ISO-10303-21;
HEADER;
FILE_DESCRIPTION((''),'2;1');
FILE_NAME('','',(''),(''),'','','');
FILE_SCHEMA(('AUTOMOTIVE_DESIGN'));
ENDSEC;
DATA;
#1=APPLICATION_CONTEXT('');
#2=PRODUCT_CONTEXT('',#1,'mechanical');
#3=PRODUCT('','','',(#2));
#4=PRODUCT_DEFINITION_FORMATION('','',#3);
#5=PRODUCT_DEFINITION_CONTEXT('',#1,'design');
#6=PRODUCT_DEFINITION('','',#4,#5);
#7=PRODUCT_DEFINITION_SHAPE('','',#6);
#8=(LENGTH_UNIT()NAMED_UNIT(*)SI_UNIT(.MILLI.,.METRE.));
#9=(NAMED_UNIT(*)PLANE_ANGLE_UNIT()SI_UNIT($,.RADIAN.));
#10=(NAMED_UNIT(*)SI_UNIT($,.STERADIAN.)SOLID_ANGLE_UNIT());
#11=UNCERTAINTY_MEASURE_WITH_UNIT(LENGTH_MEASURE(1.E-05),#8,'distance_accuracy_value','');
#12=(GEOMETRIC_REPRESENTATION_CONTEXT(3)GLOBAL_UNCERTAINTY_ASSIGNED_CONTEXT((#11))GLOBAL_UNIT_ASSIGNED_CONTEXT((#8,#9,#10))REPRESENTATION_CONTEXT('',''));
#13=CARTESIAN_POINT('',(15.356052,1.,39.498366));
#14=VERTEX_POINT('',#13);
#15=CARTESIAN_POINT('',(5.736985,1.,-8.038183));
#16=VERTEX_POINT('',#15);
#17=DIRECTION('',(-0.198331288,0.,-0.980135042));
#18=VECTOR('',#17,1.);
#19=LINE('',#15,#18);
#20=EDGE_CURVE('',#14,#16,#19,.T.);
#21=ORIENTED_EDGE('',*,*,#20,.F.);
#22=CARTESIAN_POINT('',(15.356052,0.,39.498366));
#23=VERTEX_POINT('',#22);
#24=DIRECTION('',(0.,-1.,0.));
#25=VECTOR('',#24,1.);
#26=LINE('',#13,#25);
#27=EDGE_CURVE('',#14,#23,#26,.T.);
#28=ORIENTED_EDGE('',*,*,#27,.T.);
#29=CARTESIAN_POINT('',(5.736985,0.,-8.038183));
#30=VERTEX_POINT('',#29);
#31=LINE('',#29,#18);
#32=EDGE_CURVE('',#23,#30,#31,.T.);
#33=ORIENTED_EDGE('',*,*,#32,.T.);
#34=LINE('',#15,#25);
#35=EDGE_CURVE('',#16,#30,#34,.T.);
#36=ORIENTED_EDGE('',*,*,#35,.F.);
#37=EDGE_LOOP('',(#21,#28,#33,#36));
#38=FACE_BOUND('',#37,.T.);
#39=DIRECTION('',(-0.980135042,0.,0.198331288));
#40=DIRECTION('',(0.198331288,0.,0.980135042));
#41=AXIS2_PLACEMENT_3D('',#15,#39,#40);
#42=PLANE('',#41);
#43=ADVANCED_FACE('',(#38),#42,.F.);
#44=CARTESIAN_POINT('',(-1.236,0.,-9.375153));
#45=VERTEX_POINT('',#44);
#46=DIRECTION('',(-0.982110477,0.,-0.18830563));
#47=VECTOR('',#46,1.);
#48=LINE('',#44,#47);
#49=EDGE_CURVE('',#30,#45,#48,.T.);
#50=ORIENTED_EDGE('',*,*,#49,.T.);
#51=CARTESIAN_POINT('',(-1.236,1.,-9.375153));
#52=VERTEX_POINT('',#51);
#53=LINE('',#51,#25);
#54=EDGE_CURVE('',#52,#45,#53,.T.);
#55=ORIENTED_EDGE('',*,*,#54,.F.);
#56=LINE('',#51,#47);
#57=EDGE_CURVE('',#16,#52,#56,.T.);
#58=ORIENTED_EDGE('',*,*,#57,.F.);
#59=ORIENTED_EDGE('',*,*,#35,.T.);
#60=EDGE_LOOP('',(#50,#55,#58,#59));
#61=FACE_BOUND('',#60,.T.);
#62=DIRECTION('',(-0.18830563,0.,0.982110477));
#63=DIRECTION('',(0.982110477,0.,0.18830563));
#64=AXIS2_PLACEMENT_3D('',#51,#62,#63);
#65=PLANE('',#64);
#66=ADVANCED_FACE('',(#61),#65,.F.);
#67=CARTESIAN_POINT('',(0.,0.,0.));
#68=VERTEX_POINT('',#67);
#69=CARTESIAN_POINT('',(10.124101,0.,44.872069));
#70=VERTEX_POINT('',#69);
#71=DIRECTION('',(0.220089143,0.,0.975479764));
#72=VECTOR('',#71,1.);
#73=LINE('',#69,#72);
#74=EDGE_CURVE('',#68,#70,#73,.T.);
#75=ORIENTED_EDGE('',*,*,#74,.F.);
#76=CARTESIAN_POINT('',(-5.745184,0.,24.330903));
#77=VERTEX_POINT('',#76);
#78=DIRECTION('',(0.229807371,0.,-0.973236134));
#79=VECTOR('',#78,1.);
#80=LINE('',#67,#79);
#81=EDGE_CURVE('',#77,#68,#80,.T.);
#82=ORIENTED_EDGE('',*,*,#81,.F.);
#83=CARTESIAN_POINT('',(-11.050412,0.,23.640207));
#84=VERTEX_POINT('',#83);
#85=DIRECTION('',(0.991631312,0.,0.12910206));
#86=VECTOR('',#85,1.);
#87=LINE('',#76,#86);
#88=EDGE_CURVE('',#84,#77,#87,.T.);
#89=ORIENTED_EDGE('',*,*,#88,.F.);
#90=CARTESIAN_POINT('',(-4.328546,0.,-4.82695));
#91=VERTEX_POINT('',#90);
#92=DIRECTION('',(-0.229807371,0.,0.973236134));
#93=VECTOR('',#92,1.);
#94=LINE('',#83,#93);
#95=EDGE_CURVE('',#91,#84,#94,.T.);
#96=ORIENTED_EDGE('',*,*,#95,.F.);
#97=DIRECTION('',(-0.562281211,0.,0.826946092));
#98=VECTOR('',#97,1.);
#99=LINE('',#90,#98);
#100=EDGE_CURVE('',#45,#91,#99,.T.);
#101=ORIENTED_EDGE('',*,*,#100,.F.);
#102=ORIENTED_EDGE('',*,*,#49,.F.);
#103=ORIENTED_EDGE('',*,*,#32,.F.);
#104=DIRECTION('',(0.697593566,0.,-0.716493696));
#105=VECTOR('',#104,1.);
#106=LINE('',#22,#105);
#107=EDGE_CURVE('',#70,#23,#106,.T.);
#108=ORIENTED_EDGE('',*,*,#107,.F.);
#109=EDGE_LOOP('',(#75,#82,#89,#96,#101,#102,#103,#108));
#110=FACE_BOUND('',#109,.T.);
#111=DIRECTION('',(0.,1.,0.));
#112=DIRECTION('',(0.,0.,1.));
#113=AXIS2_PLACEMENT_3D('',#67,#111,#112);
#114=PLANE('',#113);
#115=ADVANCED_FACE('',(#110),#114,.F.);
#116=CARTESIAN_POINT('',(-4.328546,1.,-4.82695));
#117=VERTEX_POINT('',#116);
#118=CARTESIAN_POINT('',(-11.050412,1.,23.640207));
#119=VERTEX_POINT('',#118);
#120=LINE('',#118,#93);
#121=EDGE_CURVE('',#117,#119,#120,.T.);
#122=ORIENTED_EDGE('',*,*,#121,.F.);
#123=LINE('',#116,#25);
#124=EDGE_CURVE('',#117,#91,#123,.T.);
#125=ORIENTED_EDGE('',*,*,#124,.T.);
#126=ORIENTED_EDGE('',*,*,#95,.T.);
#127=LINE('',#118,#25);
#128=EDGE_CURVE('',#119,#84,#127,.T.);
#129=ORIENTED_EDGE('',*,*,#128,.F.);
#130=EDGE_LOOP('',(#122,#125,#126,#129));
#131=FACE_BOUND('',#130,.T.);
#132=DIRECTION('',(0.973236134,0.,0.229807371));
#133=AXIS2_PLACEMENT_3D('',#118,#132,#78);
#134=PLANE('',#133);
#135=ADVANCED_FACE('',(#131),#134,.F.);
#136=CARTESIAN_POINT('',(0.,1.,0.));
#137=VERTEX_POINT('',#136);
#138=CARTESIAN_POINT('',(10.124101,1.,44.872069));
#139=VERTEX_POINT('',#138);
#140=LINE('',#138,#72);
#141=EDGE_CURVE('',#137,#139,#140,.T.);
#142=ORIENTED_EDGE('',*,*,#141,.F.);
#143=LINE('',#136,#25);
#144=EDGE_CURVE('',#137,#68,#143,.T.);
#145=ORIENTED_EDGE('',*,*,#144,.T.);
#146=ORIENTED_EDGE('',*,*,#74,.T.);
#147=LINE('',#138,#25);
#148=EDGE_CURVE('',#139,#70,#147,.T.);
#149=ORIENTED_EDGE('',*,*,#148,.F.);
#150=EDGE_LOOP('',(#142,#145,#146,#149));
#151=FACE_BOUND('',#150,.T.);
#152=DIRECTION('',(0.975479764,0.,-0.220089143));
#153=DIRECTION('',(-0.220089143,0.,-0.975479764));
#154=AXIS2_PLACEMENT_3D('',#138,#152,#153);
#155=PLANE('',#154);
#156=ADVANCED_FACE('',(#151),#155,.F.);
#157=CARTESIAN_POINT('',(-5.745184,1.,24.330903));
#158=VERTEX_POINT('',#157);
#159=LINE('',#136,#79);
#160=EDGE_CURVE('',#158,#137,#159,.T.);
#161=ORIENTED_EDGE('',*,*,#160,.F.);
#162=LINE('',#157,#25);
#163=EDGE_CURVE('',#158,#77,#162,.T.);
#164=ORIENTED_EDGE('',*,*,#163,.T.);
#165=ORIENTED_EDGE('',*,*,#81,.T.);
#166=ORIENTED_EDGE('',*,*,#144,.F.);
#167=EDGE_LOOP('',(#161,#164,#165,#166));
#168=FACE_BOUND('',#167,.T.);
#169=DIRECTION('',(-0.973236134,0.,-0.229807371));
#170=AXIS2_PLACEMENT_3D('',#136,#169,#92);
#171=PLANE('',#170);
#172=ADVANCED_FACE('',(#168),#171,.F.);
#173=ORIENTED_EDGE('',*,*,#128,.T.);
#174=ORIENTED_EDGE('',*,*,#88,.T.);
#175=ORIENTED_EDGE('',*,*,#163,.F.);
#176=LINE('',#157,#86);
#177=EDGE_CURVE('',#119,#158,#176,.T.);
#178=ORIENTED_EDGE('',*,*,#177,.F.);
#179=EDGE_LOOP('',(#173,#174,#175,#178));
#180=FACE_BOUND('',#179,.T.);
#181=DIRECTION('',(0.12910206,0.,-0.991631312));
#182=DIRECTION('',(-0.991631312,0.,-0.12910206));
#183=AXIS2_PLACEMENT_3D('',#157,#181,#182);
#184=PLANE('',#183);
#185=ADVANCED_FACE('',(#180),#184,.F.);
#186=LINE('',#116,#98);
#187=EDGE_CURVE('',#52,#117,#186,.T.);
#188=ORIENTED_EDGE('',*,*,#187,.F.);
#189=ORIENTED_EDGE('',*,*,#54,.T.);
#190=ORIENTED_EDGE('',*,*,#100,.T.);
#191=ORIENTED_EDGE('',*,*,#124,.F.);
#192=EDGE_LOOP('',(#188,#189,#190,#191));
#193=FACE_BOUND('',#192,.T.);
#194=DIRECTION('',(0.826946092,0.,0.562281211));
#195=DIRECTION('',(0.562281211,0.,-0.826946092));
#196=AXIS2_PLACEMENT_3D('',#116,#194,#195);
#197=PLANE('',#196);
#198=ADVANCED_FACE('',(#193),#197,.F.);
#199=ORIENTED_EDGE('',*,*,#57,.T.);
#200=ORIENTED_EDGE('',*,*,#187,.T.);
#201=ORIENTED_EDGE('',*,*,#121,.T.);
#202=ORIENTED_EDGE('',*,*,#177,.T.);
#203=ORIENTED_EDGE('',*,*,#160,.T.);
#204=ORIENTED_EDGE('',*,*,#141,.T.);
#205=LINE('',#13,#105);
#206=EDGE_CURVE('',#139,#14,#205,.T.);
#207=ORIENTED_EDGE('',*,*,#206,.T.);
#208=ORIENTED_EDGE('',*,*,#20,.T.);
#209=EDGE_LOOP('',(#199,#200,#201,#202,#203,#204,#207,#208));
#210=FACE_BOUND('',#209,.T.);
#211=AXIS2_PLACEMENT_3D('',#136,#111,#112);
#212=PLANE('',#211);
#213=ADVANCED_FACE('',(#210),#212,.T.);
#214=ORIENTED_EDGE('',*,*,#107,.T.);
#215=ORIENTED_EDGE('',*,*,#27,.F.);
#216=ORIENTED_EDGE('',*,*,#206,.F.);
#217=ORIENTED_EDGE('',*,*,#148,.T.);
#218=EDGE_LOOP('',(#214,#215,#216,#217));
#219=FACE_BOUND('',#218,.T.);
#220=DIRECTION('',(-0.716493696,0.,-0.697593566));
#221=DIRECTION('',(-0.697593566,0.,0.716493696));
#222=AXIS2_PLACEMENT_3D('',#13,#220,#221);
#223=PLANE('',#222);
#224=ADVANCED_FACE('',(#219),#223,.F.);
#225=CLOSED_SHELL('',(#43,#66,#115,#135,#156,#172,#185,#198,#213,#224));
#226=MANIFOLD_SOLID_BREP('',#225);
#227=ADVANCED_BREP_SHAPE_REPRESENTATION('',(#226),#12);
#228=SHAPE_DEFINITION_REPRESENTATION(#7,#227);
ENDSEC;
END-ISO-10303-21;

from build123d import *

# Parameters (mm, degrees)
BOSS_EXTRUDE1_DEPTH = 1


with BuildPart() as part:
    # Sketch1 → Boss-Extrude1 (new body)
    with BuildSketch(Plane(origin=(0, 0, 0), x_dir=(1, 0, 0), z_dir=(0, 1, 0))):
        Polygon((0, 0), (-5.745184287, -24.330903343), (-11.050411804, -23.640207322), (-4.328546188, 4.826949589), (-1.235999528, 9.375153098), (5.736984861, 8.038183126), (15.356052313, -39.498366406), (10.124100567, -44.872069127), align=None)
    extrude(amount=BOSS_EXTRUDE1_DEPTH)


solid = part.part
